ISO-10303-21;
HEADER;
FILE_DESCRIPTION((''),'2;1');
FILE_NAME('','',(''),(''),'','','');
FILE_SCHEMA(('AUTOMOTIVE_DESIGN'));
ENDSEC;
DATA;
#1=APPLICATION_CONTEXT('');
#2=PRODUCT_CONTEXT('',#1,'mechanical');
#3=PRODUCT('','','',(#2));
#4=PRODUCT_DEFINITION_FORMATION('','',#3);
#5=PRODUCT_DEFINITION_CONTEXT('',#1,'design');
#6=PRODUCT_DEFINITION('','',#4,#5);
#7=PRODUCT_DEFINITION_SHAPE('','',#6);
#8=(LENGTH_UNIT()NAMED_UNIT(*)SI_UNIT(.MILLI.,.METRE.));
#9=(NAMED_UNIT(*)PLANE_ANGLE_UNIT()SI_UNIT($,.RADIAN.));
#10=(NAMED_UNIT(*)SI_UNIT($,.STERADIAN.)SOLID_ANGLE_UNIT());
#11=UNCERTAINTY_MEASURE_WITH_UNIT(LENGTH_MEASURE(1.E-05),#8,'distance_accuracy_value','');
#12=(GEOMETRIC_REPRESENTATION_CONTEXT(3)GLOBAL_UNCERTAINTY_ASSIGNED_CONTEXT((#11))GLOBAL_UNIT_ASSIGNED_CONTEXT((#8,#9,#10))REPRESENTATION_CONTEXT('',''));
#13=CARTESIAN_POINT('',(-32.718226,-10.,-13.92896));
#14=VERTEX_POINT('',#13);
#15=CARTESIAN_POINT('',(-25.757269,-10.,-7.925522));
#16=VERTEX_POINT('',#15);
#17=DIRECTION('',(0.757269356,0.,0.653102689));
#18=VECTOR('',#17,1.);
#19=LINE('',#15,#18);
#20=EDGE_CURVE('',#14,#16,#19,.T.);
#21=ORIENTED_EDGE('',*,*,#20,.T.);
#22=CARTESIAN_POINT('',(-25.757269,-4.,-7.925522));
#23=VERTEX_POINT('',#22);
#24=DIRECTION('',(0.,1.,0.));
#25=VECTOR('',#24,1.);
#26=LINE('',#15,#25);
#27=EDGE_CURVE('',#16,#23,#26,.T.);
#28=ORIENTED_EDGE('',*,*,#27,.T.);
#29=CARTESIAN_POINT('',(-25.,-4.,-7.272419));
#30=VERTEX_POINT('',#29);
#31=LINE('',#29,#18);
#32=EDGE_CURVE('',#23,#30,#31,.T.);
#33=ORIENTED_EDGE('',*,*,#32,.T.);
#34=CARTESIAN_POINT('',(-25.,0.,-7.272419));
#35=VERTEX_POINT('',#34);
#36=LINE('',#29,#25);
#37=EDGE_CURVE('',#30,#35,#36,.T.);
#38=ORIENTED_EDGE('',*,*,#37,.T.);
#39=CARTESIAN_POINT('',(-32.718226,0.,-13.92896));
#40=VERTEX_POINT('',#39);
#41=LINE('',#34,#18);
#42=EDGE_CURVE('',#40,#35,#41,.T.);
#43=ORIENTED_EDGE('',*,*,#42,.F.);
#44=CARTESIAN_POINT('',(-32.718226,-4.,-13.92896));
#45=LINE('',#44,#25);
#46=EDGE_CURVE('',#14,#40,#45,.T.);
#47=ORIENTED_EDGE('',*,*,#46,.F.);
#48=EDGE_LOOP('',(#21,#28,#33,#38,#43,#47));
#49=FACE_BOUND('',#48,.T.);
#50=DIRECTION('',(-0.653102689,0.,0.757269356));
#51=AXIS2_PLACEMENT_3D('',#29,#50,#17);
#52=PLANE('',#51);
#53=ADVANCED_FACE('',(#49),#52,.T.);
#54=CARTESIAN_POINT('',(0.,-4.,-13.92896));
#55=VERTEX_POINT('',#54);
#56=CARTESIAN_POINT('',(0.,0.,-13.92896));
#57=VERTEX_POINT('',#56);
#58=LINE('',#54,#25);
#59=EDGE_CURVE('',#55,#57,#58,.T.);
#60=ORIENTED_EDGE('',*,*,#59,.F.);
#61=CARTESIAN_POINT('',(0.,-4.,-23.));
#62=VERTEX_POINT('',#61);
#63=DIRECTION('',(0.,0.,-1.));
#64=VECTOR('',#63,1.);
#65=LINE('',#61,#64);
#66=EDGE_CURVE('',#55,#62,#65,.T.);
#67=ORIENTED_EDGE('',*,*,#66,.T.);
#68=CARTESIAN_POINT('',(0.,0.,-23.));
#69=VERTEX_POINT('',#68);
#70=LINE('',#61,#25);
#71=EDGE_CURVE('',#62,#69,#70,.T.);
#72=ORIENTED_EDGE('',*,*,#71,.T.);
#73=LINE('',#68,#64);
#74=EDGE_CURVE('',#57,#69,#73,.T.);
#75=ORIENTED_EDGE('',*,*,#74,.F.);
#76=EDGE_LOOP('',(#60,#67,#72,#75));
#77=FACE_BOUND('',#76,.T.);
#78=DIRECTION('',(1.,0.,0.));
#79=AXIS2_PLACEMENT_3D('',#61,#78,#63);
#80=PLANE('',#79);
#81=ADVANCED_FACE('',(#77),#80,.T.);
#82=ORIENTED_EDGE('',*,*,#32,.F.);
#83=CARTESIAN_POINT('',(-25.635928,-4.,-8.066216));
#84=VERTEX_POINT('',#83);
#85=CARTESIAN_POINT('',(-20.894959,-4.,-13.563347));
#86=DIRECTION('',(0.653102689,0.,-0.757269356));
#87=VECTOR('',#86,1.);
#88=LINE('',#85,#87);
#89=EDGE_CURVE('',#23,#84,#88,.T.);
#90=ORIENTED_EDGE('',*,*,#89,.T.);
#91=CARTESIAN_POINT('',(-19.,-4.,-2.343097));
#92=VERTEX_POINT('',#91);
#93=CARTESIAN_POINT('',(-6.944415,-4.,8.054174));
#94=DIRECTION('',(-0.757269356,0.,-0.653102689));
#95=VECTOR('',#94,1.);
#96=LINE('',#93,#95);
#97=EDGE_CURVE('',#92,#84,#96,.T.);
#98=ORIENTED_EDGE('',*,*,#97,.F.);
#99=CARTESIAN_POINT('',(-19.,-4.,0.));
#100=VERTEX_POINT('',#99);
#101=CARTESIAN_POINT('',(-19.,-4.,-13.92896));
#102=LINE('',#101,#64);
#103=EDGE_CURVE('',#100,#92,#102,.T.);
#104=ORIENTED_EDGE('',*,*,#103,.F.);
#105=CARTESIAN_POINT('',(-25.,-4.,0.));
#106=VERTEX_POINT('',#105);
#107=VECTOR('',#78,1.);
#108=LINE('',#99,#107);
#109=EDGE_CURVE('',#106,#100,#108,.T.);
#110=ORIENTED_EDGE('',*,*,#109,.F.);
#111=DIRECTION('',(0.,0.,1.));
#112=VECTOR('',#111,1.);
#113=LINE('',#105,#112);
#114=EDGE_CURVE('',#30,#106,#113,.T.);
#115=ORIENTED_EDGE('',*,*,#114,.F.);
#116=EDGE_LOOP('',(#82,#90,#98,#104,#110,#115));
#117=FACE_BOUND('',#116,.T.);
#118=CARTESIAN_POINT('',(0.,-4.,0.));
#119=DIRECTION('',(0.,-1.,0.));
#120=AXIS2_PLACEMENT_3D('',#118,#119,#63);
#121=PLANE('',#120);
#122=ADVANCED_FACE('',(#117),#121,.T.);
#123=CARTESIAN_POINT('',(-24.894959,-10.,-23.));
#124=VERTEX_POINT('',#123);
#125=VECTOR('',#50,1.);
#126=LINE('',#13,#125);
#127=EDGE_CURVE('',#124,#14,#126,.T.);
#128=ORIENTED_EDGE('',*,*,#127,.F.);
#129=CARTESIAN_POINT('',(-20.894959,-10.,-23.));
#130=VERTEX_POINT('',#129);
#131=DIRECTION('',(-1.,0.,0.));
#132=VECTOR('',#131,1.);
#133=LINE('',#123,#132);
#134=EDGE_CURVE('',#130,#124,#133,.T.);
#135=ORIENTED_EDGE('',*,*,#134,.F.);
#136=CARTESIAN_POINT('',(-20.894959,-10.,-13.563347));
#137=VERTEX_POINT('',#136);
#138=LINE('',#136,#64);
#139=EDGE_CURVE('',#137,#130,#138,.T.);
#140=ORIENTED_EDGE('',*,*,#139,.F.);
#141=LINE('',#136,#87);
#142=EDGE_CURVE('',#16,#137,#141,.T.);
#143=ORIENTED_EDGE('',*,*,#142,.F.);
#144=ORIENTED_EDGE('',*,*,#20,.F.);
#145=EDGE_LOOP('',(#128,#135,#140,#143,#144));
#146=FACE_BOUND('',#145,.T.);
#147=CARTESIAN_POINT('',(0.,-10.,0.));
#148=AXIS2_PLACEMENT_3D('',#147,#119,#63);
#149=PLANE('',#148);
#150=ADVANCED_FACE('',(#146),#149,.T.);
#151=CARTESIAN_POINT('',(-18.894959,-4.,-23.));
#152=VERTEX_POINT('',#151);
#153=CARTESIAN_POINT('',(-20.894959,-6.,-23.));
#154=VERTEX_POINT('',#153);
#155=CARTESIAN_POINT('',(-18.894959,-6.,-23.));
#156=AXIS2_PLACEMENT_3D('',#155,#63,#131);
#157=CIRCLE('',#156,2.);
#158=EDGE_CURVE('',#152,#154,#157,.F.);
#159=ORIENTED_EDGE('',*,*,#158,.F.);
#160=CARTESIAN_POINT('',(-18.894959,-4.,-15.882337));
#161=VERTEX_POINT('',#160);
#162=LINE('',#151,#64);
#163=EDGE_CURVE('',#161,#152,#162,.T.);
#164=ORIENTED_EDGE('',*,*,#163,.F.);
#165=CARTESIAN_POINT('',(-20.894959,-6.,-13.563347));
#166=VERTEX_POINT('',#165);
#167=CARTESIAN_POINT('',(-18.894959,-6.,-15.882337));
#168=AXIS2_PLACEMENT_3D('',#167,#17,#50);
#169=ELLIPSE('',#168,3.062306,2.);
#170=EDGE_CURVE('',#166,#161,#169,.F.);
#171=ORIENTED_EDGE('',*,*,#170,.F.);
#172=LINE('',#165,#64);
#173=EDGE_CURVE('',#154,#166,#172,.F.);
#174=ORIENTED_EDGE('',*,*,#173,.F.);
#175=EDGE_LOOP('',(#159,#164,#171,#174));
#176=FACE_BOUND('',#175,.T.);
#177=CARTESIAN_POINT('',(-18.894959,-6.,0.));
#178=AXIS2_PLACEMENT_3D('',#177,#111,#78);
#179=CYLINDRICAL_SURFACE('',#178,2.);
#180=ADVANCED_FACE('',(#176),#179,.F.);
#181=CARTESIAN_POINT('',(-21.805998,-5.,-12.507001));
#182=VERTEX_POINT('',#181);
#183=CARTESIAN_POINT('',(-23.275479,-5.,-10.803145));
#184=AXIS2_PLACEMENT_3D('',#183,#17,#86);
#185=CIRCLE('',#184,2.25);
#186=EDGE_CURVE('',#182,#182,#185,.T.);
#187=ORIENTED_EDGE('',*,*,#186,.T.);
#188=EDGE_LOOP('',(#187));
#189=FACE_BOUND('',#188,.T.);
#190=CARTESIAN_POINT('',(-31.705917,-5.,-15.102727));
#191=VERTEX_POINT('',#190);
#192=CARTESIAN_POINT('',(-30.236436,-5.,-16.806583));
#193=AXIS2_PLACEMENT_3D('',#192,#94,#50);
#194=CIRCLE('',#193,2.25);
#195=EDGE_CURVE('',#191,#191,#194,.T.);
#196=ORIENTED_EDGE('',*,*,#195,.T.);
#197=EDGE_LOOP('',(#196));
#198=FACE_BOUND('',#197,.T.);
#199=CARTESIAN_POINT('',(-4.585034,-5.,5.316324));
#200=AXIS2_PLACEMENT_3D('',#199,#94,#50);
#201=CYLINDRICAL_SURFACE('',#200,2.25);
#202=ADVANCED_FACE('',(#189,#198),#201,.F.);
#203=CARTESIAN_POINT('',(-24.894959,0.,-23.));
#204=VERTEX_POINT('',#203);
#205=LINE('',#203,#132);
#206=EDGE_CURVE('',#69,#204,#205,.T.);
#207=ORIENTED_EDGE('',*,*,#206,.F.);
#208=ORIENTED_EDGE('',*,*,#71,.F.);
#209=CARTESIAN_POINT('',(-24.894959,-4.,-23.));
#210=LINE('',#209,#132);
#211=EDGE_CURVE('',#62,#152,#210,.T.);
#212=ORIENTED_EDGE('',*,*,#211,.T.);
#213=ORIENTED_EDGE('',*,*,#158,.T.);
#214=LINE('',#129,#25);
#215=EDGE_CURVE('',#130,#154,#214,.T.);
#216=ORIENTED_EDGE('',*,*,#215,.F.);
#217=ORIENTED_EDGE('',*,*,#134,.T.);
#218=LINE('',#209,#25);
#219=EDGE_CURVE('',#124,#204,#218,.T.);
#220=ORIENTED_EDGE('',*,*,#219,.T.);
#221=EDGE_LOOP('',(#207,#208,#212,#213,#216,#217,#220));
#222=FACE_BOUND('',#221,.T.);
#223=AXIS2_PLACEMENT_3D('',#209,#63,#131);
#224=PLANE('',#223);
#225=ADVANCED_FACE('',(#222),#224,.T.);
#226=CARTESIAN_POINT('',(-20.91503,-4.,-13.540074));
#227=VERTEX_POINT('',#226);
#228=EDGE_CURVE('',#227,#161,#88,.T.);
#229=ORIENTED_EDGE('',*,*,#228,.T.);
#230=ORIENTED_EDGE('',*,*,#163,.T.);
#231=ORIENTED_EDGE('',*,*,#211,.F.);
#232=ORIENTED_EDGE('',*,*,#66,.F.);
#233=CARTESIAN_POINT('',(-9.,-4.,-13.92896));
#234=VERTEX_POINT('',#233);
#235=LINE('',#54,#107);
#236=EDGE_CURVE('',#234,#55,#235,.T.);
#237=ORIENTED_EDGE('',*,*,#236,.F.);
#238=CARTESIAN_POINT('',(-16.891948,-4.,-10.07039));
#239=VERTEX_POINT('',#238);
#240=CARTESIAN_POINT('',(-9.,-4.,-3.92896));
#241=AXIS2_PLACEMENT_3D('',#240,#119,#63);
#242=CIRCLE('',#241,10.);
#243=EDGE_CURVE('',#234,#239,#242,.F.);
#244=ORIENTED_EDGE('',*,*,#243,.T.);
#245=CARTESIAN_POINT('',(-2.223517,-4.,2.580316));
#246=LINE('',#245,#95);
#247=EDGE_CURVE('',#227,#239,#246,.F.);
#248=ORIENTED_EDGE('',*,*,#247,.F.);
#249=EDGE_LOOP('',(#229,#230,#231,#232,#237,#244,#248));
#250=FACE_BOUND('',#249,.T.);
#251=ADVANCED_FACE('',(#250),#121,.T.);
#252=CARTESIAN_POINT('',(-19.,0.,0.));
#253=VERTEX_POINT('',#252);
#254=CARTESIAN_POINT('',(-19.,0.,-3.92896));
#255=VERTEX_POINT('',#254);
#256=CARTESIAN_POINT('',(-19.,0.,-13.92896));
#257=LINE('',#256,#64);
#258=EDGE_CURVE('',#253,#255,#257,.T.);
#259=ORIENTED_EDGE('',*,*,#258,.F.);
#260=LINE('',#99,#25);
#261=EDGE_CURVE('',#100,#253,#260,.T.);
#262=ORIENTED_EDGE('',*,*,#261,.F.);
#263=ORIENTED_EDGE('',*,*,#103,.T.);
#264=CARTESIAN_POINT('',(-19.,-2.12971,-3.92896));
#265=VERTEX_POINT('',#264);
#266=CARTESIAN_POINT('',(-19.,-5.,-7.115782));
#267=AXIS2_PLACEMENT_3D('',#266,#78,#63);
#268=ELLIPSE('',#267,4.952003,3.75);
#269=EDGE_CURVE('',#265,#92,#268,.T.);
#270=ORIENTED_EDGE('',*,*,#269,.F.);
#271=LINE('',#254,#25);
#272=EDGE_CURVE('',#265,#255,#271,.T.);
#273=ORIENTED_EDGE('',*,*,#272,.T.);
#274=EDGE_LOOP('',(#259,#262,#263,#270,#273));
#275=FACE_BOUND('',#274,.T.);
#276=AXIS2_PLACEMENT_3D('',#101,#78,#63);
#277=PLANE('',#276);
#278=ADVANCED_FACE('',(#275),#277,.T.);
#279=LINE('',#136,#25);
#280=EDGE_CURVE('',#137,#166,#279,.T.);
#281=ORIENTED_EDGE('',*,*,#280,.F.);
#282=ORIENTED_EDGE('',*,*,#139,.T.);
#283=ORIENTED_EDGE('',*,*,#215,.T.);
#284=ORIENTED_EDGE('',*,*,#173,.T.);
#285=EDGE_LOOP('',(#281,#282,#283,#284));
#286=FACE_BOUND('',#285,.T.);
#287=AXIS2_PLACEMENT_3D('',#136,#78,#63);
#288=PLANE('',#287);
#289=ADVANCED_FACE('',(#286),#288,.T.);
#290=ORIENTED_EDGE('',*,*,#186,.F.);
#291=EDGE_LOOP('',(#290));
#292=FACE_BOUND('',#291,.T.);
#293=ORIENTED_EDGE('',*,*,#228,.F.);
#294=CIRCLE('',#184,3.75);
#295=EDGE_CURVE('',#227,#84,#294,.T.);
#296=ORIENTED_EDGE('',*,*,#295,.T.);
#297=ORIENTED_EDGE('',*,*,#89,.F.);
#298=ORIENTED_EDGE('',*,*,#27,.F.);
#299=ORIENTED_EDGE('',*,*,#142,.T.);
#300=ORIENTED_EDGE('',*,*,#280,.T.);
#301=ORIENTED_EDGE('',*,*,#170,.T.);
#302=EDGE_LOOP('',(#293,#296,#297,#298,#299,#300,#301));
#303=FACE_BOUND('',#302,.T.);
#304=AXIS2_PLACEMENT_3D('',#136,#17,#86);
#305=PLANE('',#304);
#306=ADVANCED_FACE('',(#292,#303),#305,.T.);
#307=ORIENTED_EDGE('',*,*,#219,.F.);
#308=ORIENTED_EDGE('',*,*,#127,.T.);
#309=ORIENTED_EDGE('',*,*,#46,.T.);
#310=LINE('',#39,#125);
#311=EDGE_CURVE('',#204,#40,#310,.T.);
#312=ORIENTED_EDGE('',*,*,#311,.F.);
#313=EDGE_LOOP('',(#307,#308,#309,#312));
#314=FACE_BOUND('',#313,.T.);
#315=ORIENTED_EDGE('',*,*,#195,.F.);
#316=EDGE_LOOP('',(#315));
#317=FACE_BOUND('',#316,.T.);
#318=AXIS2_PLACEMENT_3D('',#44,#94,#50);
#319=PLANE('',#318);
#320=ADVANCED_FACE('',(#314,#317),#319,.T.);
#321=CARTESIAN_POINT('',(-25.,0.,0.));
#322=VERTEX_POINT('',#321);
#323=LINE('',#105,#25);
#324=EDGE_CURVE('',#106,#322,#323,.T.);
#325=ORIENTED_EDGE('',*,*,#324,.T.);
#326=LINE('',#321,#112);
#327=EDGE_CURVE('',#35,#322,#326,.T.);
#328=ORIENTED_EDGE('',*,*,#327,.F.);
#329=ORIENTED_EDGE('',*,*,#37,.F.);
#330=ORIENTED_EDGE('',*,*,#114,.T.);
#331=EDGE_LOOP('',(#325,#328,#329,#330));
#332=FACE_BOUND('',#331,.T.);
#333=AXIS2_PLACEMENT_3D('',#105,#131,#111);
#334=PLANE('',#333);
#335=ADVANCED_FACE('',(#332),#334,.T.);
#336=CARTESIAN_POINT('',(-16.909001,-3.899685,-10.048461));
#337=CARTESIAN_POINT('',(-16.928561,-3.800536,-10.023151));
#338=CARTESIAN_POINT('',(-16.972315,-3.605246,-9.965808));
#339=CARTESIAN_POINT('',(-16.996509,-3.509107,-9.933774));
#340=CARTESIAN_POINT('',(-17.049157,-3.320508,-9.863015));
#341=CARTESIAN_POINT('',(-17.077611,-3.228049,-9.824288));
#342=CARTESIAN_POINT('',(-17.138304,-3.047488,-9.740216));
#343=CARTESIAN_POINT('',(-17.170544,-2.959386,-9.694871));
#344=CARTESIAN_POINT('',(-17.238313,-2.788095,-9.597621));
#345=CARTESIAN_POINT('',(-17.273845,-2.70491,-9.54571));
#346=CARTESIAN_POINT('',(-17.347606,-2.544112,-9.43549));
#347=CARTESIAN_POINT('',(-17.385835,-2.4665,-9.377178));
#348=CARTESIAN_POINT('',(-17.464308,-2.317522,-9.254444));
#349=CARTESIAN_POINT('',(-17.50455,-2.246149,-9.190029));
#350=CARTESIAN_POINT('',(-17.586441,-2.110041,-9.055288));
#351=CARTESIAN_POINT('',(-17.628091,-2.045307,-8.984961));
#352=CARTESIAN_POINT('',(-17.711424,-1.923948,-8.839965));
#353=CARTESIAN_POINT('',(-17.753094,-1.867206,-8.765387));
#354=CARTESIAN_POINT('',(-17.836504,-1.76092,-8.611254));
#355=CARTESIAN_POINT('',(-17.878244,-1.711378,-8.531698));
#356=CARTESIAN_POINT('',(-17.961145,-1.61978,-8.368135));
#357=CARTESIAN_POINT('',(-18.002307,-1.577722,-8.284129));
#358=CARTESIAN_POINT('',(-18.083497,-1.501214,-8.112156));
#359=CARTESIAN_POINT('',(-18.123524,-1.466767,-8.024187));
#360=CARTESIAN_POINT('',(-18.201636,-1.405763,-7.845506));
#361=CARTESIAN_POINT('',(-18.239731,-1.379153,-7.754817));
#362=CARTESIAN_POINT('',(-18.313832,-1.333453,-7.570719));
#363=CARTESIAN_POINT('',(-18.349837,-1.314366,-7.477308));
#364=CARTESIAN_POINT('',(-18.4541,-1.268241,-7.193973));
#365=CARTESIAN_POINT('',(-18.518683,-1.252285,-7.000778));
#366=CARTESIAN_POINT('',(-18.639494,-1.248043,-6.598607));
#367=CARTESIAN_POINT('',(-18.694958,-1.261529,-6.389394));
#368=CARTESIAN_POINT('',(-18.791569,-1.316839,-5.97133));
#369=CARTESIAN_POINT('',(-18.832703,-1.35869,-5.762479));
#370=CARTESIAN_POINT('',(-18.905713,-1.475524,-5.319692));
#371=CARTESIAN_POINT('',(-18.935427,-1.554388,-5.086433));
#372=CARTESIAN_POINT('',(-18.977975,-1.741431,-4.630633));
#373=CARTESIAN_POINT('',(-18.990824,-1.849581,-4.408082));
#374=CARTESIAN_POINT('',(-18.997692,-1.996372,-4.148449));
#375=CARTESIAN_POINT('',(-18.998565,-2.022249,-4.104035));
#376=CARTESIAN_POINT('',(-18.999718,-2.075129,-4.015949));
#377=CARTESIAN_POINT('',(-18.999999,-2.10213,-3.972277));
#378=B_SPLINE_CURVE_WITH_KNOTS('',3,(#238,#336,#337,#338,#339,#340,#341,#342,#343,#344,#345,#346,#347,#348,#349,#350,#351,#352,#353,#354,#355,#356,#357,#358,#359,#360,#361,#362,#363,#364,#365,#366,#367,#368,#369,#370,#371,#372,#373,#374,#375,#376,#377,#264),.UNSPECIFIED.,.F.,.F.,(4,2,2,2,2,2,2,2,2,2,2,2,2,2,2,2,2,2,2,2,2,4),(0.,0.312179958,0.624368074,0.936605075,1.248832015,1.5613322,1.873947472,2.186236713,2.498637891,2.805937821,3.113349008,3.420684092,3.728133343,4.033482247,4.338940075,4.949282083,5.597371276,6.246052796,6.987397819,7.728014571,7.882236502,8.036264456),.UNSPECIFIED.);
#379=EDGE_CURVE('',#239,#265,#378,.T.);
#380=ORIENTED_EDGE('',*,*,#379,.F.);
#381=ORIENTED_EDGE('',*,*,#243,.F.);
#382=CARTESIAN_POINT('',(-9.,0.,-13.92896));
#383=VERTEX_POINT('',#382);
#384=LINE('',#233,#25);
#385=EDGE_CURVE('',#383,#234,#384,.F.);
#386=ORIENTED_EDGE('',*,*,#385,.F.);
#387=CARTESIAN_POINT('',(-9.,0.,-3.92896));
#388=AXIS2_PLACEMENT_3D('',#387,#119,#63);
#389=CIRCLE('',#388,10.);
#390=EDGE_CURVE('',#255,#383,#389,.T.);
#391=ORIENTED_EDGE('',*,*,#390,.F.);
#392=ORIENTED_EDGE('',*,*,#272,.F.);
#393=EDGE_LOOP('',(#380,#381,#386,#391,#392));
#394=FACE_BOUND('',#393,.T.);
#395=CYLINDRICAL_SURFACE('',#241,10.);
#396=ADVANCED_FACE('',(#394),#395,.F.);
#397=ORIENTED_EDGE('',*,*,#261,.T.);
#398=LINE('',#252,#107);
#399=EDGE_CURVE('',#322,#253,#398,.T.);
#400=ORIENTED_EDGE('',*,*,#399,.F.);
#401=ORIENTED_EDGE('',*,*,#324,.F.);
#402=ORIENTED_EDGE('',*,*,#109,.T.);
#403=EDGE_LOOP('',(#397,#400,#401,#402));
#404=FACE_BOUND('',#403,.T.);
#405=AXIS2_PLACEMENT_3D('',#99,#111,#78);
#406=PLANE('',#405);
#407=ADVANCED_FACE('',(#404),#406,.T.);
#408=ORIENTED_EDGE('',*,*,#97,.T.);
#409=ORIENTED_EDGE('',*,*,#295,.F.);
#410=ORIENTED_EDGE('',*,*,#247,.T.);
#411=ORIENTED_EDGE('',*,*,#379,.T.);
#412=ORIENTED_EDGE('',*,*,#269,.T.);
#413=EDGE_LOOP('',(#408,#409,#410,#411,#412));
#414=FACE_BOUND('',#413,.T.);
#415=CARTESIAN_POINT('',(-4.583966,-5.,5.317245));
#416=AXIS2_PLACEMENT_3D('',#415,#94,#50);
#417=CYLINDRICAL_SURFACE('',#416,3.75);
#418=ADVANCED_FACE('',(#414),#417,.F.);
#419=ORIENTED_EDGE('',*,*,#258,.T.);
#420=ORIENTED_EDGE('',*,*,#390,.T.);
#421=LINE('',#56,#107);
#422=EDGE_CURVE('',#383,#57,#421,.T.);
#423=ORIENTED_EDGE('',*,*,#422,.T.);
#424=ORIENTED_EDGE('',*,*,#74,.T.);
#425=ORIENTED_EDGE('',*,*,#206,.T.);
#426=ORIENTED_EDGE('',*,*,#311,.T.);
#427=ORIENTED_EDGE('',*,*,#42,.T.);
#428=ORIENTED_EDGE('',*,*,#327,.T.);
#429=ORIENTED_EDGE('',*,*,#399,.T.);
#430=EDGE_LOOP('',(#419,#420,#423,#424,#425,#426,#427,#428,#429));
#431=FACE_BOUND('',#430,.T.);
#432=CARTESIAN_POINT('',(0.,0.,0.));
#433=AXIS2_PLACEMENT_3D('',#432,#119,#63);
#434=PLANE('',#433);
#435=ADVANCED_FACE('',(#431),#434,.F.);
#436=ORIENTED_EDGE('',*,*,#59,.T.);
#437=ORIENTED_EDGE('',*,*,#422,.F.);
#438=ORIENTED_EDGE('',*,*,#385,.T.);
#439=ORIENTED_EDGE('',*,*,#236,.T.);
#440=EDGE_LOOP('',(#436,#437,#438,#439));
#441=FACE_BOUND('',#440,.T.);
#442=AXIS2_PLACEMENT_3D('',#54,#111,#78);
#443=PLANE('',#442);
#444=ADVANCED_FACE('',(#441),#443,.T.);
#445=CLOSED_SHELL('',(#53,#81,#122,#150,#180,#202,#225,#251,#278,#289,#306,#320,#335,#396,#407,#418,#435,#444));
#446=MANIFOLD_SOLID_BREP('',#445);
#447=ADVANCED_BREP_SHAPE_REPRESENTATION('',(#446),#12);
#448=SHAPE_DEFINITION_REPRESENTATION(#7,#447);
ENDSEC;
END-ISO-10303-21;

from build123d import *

# Parameters (mm, degrees)
BOSS_EXTRUDE1_DEPTH = 4
BOSS_EXTRUDE2_DEPTH = 6
SKETCH4_R           = 2.25
CUT_EXTRUDE1_DEPTH  = 36.318797722
CUT_EXTRUDE2_REACH  = 28.63
SKETCH5_R           = 3.75
FILLET1_R           = 10
FILLET3_R           = 2


with BuildPart() as part:
    # Sketch2 → Boss-Extrude1 (new body)
    with BuildSketch(Plane(origin=(0, 0, 0), x_dir=(1, 0, 0), z_dir=(0, 1, 0))):
        Polygon((-32.718226242, 13.928959815), (-24.894958744, 23), (0, 23), (0, 13.928959815), (-19, 13.928959815), (-19, 0), (-25, 0), (-25, 7.27241908), align=None)
    extrude(amount=-BOSS_EXTRUDE1_DEPTH)

    # Sketch3 → Boss-Extrude2 (add)
    with BuildSketch(Plane(origin=(0, -4, 0), x_dir=(-1, 0, 0), z_dir=(0, 1, 0))):
        Polygon((25.757269356, -7.92552177), (32.718226242, -13.928959815), (24.894958744, -23), (20.894958744, -23), (20.894958744, -13.563347009), align=None)
    extrude(amount=-BOSS_EXTRUDE2_DEPTH)

    # Sketch4 → Cut-Extrude1 (cut, through all)
    with BuildSketch(Plane(origin=(-25.651402317, 0, -22.122907398), x_dir=(-0.653102689208867, 0, 0.7572693558755339), z_dir=(-0.7572693558755339, 0, -0.653102689208867))):
        with Locations((7.020387118, -5)):
            Circle(SKETCH4_R)
    extrude(amount=-CUT_EXTRUDE1_DEPTH, mode=Mode.SUBTRACT)

    # Cut-Extrude2: up to this plane
    cut_extrude2_end = Plane(origin=(-19, -4, -13.928959815), z_dir=(1, 0, 0))
    # Sketch5 → Cut-Extrude2 (cut, up to the surface)
    with BuildSketch(Plane(origin=(-18.690445431, 0, -16.119469352), x_dir=(0.6531026892088669, 0, -0.757269355875534), z_dir=(0.757269355875534, 0, 0.6531026892088669)), mode=Mode.PRIVATE) as cut_extrude2_sk1:
        with Locations((-7.020387118, -5)):
            Circle(SKETCH5_R)
    cut_extrude2_tool1 = split(extrude(cut_extrude2_sk1.sketch, amount=CUT_EXTRUDE2_REACH, mode=Mode.PRIVATE), bisect_by=cut_extrude2_end, keep=Keep.BOTH, mode=Mode.PRIVATE)
    add(cut_extrude2_tool1.solids().sort_by_distance((-23.275479, -5, -10.803145))[0], mode=Mode.SUBTRACT)

    # Fillet1
    fillet1_edges = [part.edges().sort_by_distance(p)[0] for p in [
        (-19, -2, -13.928959815),
    ]]
    fillet(fillet1_edges, radius=FILLET1_R)

    # Fillet3
    fillet3_edges = [part.edges().sort_by_distance(p)[0] for p in [
        (-20.894958744, -4, -18.281673505),
    ]]
    fillet(fillet3_edges, radius=FILLET3_R)


solid = part.part
